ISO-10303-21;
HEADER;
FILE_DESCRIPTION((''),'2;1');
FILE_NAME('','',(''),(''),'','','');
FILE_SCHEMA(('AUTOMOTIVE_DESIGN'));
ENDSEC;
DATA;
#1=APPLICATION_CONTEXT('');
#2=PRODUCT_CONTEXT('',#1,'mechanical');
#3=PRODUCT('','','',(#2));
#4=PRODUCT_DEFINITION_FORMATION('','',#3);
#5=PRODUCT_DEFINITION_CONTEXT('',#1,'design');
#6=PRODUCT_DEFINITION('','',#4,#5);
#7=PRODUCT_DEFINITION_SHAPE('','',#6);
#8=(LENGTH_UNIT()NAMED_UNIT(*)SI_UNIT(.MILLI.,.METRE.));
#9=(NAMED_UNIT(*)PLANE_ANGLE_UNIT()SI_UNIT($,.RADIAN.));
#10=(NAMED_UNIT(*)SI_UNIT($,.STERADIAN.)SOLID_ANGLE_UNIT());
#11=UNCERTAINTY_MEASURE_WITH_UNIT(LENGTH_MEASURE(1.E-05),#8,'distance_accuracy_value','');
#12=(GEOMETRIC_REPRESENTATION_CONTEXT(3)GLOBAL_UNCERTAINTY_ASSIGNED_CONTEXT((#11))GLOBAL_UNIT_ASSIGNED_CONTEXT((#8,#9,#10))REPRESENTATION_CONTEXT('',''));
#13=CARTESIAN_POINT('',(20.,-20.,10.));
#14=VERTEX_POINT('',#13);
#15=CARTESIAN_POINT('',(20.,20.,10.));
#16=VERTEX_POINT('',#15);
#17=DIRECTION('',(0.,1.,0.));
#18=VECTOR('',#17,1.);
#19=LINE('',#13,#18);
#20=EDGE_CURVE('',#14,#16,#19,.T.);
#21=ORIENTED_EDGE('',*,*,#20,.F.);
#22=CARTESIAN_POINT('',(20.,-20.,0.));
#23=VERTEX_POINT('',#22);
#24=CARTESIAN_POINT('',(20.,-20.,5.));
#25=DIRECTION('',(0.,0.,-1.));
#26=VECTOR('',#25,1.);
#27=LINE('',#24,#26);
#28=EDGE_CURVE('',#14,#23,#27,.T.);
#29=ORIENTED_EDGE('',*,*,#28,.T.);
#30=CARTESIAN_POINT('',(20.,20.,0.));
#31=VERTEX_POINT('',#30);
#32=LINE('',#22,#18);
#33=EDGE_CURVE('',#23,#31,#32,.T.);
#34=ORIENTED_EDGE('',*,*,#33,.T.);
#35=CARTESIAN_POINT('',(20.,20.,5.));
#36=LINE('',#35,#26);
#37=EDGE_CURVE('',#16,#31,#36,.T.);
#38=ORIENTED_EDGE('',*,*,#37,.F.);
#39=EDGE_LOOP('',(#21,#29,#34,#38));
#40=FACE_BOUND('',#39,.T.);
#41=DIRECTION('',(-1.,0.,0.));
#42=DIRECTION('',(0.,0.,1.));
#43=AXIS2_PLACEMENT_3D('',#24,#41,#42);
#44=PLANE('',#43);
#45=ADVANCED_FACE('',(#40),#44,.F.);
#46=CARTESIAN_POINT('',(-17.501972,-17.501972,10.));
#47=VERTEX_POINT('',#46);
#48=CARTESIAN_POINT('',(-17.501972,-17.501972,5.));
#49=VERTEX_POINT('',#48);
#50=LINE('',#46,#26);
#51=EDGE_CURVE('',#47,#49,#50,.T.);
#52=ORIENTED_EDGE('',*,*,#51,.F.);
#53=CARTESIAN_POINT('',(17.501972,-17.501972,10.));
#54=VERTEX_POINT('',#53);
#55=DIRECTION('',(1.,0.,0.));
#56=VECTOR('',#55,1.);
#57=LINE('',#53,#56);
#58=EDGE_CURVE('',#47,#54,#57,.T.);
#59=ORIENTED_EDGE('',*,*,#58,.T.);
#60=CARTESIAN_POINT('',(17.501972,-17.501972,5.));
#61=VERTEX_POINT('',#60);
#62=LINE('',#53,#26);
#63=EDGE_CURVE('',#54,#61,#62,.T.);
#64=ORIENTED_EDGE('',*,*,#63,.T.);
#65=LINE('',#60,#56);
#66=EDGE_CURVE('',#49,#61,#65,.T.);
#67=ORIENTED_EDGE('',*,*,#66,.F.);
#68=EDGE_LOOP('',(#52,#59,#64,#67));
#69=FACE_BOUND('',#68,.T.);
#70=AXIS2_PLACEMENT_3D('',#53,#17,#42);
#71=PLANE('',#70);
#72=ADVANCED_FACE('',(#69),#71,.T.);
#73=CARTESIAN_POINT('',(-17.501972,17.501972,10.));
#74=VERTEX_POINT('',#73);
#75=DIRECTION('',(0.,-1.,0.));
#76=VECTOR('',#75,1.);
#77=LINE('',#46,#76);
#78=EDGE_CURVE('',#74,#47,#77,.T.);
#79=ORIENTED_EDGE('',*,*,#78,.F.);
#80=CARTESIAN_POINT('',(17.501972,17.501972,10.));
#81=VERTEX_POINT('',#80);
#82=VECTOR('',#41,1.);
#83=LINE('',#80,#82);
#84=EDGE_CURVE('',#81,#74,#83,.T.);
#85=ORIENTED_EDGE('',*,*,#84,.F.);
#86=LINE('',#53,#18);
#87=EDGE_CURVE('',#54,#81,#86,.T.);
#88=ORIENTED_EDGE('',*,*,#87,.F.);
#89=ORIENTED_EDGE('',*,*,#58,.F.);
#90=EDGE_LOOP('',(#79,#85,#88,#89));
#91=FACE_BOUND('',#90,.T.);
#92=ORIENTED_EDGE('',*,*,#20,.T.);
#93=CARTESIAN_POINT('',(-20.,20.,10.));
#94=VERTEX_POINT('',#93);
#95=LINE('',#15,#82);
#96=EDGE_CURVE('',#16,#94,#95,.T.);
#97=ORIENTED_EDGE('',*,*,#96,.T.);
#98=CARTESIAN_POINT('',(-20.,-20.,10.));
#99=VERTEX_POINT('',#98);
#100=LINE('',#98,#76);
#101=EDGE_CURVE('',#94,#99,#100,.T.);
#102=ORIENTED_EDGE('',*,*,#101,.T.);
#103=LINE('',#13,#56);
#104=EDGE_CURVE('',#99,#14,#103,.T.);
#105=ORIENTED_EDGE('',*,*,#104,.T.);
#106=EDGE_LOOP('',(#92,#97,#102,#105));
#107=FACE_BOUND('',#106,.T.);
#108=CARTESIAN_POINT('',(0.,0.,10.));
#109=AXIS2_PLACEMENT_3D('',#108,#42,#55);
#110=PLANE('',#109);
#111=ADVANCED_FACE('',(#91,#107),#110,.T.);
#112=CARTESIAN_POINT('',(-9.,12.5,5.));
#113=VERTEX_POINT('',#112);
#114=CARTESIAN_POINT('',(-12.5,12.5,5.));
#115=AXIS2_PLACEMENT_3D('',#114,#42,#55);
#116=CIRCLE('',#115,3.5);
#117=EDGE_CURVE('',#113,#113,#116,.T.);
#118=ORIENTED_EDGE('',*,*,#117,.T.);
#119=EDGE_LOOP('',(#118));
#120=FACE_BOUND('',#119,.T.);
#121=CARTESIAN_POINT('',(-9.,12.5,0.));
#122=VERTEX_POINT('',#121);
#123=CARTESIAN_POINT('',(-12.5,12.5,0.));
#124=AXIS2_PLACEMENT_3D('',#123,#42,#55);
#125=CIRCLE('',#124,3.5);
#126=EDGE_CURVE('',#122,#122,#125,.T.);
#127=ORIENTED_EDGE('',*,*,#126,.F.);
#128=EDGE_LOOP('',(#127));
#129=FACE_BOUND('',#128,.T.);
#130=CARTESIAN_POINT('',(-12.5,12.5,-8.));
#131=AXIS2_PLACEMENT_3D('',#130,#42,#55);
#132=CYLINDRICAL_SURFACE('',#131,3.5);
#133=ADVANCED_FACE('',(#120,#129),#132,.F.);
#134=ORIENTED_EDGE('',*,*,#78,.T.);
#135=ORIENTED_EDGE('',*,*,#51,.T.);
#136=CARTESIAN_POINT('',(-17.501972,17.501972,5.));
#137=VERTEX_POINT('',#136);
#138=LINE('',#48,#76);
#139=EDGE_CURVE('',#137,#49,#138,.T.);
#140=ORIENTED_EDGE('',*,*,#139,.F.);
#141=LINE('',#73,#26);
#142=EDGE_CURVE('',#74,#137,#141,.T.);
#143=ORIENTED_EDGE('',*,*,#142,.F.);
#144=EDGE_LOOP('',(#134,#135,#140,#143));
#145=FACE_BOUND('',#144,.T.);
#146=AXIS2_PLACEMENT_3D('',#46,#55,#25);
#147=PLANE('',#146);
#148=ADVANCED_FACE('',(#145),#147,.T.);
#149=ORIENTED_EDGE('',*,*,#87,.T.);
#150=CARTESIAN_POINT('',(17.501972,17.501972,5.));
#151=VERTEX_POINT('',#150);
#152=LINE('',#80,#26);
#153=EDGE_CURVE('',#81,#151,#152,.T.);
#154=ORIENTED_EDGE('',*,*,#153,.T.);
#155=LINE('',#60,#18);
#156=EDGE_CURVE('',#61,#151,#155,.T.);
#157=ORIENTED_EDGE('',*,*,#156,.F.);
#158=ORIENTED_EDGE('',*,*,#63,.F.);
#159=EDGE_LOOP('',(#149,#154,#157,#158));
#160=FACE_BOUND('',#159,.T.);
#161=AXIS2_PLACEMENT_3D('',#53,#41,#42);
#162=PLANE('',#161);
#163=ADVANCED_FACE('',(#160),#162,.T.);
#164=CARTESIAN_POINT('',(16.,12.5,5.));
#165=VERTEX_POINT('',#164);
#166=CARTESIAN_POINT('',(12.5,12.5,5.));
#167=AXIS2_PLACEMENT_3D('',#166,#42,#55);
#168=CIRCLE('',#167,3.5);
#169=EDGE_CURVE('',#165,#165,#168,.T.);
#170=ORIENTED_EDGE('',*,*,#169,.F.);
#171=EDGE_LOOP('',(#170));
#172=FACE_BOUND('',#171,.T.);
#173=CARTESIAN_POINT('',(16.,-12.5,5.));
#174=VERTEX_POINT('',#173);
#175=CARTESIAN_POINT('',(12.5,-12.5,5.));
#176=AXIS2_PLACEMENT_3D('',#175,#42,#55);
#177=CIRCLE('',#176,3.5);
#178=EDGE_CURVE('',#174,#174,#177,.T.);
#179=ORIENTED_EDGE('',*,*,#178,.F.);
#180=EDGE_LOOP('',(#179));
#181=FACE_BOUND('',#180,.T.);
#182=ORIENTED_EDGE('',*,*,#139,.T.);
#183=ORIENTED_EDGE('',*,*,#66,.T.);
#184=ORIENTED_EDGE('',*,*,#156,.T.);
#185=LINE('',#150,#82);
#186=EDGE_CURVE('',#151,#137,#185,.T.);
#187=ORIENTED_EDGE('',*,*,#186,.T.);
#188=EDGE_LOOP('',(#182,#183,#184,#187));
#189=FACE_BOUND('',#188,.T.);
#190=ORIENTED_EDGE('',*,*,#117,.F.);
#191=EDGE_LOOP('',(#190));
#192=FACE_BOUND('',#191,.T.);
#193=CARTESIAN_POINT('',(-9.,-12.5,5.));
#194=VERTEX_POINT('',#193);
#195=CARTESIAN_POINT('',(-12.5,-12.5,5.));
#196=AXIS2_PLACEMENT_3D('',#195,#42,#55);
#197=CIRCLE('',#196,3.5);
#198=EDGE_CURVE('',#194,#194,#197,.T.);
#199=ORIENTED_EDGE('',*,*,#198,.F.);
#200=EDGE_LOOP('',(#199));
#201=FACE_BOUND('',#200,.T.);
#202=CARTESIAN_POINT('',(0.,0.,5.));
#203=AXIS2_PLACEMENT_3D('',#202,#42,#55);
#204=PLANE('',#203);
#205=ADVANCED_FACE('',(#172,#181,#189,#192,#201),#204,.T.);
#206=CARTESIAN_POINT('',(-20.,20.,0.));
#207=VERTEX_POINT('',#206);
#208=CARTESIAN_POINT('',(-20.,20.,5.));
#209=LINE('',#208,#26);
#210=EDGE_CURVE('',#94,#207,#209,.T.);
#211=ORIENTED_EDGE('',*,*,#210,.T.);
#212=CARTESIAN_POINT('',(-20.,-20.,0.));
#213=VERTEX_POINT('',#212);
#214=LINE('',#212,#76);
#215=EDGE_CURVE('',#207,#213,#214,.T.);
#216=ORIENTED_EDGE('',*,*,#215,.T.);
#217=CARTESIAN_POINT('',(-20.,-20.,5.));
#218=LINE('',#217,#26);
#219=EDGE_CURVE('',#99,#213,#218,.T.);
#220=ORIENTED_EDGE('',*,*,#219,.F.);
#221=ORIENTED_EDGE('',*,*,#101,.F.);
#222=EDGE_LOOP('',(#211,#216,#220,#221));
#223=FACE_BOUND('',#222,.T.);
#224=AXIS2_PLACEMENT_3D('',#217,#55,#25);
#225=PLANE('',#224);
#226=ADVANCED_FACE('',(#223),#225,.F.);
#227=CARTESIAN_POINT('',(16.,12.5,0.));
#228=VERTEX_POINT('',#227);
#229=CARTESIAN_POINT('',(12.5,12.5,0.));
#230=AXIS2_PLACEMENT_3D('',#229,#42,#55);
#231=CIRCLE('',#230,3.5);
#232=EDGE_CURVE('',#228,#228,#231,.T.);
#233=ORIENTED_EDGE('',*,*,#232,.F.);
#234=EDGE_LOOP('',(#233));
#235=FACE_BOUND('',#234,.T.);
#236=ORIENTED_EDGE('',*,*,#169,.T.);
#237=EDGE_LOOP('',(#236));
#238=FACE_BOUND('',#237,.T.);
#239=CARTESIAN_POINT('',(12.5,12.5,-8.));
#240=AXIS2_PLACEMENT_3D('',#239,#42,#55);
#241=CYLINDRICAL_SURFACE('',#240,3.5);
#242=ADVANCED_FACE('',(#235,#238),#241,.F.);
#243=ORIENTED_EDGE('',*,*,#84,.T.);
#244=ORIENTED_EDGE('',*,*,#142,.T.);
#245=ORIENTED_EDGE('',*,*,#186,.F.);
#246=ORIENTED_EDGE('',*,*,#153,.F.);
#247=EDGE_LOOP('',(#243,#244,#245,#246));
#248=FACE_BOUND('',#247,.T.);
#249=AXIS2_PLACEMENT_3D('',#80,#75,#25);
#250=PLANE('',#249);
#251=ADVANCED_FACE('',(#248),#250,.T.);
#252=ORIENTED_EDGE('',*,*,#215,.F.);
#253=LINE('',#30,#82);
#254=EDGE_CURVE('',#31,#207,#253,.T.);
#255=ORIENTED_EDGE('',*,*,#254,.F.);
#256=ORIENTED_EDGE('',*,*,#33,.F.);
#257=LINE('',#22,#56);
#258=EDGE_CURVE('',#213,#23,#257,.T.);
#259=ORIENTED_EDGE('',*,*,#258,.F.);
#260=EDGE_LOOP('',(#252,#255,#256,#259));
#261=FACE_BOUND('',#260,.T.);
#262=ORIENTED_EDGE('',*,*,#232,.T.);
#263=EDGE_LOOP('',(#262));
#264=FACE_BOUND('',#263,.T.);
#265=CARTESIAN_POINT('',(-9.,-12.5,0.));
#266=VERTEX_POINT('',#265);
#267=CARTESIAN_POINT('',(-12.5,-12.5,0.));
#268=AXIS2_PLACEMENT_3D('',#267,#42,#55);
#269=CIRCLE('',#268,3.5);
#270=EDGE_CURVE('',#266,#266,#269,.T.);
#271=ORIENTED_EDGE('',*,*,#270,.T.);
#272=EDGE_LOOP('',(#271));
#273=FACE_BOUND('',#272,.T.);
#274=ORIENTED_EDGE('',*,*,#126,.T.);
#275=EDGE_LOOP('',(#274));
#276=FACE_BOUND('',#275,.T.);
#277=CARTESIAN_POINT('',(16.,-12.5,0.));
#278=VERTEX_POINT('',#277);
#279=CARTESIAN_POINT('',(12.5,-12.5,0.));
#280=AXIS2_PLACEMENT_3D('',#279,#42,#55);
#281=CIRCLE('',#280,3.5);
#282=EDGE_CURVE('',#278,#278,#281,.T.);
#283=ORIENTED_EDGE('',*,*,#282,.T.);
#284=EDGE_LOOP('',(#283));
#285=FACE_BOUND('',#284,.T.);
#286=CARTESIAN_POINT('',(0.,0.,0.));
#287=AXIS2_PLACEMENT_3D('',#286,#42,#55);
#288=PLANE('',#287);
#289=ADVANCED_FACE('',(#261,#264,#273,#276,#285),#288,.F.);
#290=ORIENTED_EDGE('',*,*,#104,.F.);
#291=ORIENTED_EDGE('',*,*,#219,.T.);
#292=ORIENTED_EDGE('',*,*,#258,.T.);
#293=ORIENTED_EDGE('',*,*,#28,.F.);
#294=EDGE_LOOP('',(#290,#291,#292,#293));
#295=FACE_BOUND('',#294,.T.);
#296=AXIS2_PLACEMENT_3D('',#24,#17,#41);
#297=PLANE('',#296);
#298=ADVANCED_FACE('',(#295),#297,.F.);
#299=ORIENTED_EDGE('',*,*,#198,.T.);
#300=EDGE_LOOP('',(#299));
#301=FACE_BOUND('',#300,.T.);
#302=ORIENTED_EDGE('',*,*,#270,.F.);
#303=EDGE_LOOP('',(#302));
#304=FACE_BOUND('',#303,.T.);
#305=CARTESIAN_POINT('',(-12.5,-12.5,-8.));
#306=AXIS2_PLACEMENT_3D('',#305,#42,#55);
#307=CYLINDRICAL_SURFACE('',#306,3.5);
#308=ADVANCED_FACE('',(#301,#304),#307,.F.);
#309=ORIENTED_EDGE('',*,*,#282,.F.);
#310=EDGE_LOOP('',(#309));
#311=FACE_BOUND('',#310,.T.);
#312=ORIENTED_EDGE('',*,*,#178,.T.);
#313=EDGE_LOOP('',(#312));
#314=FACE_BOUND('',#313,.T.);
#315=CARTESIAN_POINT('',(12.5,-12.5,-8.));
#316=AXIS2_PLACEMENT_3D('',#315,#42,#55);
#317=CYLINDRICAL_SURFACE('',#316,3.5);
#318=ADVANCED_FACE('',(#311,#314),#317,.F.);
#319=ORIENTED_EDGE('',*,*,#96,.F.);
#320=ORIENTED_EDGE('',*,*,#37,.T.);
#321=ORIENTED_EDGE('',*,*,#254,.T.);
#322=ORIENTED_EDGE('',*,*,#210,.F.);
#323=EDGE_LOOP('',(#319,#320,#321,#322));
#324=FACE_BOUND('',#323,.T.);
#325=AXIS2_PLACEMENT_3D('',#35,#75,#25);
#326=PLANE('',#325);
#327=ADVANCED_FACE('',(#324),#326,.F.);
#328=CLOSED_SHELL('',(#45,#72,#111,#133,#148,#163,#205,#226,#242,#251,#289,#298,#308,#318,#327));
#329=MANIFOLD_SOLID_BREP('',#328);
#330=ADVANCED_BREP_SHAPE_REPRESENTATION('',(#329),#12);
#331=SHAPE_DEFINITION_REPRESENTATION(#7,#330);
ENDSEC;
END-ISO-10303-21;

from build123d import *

# Parameters (mm, degrees)
CROQUIS4_W              = 40
CROQUIS4_H              = 40
SALIENTE_EXTRUIR7_DEPTH = 5
CROQUIS5_W              = 40
CROQUIS5_H              = 40
CROQUIS5_W_2            = 35.003943974
CROQUIS5_H_2            = 35.003943974
SALIENTE_EXTRUIR8_DEPTH = 5
CROQUIS6_R              = 3.5
CORTAR_EXTRUIR1_DEPTH   = 13


with BuildPart() as part:
    # Croquis4 → Saliente-Extruir7 (new body)
    with BuildSketch(Plane.XY):
        Rectangle(CROQUIS4_W, CROQUIS4_H)
    extrude(amount=SALIENTE_EXTRUIR7_DEPTH)

    # Croquis5 → Saliente-Extruir8 (add)
    with BuildSketch(Plane.XY.offset(5)):
        Rectangle(CROQUIS5_W, CROQUIS5_H)
        Rectangle(CROQUIS5_W_2, CROQUIS5_H_2, mode=Mode.SUBTRACT)
    extrude(amount=SALIENTE_EXTRUIR8_DEPTH)

    # Croquis6 → Cortar-Extruir1 (cut)
    with BuildSketch(Plane.XY.offset(5)):
        with Locations((-12.5, 12.5)):
            Circle(CROQUIS6_R)
        with Locations((12.5, 12.5)):
            Circle(CROQUIS6_R)
        with Locations((-12.5, -12.5)):
            Circle(CROQUIS6_R)
        with Locations((12.5, -12.5)):
            Circle(CROQUIS6_R)
    extrude(amount=-CORTAR_EXTRUIR1_DEPTH, mode=Mode.SUBTRACT)


solid = part.part
